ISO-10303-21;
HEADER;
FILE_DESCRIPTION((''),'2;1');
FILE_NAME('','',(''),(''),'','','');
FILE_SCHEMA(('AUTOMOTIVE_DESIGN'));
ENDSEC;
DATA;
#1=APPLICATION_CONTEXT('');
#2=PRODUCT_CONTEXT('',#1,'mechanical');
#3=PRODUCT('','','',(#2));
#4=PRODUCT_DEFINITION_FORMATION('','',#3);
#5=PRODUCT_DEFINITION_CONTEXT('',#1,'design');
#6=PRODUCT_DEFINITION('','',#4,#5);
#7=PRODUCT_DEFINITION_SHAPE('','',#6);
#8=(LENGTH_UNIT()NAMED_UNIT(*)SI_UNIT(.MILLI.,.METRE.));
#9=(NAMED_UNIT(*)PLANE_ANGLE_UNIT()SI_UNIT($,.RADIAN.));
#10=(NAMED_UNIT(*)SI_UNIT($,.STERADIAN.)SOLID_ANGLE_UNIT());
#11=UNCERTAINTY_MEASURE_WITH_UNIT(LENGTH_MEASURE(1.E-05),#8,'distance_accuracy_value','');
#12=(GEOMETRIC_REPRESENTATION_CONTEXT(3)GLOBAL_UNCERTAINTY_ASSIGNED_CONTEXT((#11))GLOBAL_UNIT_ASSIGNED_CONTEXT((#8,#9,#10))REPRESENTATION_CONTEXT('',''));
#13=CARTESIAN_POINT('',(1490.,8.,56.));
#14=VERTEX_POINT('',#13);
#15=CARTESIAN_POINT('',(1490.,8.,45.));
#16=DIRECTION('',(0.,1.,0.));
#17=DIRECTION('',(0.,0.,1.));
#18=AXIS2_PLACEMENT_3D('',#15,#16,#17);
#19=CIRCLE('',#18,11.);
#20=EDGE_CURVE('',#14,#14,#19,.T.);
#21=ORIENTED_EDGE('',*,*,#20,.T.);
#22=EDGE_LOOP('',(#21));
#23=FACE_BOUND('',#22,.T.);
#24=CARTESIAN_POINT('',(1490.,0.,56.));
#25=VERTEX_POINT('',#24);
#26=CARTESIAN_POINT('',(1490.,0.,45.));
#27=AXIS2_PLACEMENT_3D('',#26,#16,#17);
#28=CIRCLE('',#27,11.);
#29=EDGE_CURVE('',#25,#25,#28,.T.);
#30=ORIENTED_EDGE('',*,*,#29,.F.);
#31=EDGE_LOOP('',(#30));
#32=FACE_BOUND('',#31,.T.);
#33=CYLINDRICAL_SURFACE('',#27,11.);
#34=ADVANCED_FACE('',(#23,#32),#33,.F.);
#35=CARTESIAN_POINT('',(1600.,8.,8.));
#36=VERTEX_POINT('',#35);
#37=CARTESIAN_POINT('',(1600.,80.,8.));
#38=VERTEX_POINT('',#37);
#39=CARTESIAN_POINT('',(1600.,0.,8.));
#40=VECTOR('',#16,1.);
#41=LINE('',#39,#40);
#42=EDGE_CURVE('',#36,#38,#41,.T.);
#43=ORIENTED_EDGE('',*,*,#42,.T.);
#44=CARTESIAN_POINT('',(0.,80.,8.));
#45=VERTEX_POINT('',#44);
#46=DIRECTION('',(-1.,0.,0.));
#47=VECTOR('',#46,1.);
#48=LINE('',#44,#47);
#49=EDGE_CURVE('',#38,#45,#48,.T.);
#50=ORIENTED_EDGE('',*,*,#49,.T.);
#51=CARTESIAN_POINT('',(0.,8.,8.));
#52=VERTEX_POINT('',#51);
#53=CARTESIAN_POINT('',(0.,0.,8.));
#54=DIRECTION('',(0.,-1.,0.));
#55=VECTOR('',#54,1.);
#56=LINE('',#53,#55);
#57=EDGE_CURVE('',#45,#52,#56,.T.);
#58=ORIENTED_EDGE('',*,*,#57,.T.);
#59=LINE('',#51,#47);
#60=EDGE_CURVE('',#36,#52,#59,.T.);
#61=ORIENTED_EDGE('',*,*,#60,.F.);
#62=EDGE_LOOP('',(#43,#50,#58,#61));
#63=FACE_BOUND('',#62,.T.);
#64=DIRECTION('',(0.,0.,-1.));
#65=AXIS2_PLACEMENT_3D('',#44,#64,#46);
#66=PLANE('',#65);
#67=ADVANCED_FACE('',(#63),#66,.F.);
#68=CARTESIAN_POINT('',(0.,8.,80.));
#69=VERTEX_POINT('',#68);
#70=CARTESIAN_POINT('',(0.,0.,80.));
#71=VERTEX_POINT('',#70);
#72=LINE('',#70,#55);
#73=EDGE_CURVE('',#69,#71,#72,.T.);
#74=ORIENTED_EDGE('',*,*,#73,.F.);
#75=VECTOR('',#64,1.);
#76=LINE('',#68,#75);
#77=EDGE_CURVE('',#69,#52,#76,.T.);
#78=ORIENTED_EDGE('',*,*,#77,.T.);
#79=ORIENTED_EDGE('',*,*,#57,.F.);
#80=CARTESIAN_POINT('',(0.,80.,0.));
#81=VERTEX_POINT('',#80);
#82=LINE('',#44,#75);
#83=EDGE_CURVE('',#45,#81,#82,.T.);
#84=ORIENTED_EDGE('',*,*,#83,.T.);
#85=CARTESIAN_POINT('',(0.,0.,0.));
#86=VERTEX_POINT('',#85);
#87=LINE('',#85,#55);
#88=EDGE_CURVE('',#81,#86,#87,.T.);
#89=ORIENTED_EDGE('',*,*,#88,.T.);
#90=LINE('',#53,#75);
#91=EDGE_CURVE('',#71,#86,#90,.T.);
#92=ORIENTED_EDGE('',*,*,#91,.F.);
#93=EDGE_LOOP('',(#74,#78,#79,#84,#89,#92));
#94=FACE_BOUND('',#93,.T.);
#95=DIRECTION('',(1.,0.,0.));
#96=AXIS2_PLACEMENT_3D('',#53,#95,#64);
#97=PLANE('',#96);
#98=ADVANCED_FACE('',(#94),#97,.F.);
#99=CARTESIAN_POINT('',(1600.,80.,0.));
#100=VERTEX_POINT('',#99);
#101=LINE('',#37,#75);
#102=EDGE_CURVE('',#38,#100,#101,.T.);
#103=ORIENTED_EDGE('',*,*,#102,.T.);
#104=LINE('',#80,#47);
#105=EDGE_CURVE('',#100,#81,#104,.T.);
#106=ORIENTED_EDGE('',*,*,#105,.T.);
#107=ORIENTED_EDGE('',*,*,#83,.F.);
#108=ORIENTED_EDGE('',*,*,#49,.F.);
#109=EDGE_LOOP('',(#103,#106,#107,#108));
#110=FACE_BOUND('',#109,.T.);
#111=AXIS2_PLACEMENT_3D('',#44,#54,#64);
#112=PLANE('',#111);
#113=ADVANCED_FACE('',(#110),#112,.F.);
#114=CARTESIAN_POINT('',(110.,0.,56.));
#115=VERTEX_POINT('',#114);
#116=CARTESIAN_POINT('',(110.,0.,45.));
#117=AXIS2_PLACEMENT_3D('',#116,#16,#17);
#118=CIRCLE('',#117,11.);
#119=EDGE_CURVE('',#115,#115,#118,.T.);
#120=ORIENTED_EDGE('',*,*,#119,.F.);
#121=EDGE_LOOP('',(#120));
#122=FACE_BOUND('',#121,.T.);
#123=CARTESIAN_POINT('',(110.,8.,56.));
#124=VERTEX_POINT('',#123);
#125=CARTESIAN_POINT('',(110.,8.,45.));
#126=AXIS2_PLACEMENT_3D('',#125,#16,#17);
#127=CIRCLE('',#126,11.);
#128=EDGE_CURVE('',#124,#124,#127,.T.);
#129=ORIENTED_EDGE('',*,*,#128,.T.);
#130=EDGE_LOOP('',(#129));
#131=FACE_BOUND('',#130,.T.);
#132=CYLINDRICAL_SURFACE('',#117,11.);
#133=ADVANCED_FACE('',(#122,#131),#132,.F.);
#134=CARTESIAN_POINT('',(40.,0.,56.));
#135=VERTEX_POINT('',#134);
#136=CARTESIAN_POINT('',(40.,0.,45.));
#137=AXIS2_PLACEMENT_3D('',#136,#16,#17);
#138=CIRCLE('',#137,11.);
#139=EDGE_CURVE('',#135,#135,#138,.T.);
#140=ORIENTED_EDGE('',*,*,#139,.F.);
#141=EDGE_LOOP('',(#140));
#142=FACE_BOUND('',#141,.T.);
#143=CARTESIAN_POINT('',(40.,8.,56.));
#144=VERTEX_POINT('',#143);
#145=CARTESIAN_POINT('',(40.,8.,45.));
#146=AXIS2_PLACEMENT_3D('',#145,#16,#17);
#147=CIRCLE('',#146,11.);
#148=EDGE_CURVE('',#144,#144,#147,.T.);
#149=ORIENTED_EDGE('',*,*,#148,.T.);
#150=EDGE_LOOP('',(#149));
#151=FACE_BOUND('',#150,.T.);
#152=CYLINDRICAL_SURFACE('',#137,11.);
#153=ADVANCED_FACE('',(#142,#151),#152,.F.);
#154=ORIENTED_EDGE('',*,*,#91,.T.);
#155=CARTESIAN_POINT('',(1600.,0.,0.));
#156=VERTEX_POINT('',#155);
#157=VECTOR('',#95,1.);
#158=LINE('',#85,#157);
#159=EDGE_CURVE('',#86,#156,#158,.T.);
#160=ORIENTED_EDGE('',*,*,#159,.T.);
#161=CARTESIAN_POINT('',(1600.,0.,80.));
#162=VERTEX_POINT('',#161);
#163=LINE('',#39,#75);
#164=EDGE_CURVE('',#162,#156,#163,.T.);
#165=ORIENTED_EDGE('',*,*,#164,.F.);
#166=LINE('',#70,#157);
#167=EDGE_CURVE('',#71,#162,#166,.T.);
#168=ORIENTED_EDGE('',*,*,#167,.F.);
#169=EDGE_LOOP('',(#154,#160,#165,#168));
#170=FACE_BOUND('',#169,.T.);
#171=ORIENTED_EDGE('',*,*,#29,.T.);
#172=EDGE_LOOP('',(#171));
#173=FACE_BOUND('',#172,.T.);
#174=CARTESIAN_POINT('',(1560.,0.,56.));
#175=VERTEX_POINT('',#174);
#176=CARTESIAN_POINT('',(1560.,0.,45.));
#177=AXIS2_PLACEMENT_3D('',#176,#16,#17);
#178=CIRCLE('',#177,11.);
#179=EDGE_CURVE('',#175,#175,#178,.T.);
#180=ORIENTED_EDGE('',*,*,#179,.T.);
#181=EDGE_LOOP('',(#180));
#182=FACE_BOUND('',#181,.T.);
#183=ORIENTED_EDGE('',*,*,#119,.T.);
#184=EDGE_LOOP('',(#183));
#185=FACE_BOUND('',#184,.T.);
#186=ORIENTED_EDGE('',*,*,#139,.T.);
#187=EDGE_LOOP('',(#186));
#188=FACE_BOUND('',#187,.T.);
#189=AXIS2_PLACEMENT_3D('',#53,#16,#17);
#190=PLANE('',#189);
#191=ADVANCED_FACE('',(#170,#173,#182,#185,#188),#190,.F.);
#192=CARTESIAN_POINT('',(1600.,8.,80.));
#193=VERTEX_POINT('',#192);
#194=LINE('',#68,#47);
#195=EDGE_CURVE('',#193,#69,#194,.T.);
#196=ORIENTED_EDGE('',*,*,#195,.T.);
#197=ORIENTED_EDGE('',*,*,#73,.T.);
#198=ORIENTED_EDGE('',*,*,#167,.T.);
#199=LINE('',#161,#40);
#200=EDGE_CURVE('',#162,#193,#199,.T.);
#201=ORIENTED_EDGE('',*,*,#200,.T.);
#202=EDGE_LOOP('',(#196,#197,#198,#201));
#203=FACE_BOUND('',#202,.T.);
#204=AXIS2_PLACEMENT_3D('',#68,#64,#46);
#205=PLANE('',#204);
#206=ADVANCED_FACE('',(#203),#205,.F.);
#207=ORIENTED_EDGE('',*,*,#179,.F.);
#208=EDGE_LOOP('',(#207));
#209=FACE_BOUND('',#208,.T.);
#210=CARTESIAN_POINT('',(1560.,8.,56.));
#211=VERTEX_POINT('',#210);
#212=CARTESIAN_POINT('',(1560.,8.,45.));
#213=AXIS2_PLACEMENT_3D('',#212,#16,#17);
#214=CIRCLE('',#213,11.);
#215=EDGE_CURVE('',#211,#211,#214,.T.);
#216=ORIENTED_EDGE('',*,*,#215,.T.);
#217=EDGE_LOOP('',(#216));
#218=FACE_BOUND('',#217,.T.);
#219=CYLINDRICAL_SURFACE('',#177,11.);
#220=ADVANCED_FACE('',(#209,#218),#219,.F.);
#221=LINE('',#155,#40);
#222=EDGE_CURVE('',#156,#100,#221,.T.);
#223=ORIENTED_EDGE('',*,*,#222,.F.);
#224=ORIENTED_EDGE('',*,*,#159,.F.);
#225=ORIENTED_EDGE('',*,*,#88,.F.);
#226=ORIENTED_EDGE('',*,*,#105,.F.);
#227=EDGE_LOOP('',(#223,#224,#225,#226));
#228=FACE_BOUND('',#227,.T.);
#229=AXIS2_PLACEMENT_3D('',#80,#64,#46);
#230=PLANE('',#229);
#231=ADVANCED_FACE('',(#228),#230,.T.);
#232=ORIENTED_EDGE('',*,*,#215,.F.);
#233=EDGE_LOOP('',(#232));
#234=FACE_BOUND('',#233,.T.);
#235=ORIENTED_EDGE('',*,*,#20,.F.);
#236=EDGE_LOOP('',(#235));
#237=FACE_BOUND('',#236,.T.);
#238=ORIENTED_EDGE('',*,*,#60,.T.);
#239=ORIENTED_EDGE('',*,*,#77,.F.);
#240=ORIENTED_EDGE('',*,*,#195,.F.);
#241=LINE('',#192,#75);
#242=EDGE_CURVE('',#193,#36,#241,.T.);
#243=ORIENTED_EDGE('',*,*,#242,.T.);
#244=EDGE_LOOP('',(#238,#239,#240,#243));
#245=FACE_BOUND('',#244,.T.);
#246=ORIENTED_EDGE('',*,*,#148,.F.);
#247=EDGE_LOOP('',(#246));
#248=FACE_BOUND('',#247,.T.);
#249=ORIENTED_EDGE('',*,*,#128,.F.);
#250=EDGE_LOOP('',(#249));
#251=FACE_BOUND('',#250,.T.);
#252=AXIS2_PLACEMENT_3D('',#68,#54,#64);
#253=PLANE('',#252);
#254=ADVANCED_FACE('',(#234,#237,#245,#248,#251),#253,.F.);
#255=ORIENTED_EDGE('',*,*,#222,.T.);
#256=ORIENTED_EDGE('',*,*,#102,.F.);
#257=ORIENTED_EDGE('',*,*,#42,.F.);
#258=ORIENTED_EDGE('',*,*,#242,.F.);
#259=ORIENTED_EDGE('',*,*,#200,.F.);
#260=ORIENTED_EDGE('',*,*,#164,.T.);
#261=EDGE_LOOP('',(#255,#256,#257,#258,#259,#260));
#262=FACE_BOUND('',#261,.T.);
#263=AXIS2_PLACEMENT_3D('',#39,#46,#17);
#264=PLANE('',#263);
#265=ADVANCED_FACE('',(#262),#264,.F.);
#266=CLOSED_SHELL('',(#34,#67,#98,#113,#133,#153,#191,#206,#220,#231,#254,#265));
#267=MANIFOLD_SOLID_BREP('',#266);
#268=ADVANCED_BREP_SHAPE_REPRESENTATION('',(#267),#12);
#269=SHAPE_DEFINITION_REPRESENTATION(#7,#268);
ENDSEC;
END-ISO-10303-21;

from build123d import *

# Parameters (mm, degrees)
SKETCH_174_W        = 1600
SKETCH_174_H        = 80
EXTRUDE_4_DEPTH     = 8
SKETCH_3_W          = 1600
SKETCH_3_H          = 8
EXTRUDE_5_DEPTH     = 72
SKETCH_4_R          = 11
CUT_EXTRUDE_2_DEPTH = 1604.615914114


with BuildPart() as part:
    # Sketch 174 → 拉伸4 (new body)
    with BuildSketch(Plane.XY):
        with Locations((800, 40)):
            Rectangle(SKETCH_174_W, SKETCH_174_H)
    extrude(amount=EXTRUDE_4_DEPTH)

    # 草图3 → 拉伸5 (add)
    with BuildSketch(Plane.XY.offset(8)):
        with Locations((800, 4)):
            Rectangle(SKETCH_3_W, SKETCH_3_H)
    extrude(amount=EXTRUDE_5_DEPTH)

    # 草图4 → 切除-拉伸2 (cut, through all)
    with BuildSketch(Plane(origin=(0, 8, 0), x_dir=(1, 0, 0), z_dir=(0, 1, 0))):
        with Locations(Location((40, -45, 0), (0, 0, 270))):
            Circle(SKETCH_4_R)
        with Locations(Location((110, -45, 0), (0, 0, 270))):
            Circle(SKETCH_4_R)
        with Locations(Location((1490, -45, 0), (0, 0, 270))):
            Circle(SKETCH_4_R)
        with Locations(Location((1560, -45, 0), (0, 0, 270))):
            Circle(SKETCH_4_R)
    extrude(amount=-CUT_EXTRUDE_2_DEPTH, mode=Mode.SUBTRACT)


solid = part.part
